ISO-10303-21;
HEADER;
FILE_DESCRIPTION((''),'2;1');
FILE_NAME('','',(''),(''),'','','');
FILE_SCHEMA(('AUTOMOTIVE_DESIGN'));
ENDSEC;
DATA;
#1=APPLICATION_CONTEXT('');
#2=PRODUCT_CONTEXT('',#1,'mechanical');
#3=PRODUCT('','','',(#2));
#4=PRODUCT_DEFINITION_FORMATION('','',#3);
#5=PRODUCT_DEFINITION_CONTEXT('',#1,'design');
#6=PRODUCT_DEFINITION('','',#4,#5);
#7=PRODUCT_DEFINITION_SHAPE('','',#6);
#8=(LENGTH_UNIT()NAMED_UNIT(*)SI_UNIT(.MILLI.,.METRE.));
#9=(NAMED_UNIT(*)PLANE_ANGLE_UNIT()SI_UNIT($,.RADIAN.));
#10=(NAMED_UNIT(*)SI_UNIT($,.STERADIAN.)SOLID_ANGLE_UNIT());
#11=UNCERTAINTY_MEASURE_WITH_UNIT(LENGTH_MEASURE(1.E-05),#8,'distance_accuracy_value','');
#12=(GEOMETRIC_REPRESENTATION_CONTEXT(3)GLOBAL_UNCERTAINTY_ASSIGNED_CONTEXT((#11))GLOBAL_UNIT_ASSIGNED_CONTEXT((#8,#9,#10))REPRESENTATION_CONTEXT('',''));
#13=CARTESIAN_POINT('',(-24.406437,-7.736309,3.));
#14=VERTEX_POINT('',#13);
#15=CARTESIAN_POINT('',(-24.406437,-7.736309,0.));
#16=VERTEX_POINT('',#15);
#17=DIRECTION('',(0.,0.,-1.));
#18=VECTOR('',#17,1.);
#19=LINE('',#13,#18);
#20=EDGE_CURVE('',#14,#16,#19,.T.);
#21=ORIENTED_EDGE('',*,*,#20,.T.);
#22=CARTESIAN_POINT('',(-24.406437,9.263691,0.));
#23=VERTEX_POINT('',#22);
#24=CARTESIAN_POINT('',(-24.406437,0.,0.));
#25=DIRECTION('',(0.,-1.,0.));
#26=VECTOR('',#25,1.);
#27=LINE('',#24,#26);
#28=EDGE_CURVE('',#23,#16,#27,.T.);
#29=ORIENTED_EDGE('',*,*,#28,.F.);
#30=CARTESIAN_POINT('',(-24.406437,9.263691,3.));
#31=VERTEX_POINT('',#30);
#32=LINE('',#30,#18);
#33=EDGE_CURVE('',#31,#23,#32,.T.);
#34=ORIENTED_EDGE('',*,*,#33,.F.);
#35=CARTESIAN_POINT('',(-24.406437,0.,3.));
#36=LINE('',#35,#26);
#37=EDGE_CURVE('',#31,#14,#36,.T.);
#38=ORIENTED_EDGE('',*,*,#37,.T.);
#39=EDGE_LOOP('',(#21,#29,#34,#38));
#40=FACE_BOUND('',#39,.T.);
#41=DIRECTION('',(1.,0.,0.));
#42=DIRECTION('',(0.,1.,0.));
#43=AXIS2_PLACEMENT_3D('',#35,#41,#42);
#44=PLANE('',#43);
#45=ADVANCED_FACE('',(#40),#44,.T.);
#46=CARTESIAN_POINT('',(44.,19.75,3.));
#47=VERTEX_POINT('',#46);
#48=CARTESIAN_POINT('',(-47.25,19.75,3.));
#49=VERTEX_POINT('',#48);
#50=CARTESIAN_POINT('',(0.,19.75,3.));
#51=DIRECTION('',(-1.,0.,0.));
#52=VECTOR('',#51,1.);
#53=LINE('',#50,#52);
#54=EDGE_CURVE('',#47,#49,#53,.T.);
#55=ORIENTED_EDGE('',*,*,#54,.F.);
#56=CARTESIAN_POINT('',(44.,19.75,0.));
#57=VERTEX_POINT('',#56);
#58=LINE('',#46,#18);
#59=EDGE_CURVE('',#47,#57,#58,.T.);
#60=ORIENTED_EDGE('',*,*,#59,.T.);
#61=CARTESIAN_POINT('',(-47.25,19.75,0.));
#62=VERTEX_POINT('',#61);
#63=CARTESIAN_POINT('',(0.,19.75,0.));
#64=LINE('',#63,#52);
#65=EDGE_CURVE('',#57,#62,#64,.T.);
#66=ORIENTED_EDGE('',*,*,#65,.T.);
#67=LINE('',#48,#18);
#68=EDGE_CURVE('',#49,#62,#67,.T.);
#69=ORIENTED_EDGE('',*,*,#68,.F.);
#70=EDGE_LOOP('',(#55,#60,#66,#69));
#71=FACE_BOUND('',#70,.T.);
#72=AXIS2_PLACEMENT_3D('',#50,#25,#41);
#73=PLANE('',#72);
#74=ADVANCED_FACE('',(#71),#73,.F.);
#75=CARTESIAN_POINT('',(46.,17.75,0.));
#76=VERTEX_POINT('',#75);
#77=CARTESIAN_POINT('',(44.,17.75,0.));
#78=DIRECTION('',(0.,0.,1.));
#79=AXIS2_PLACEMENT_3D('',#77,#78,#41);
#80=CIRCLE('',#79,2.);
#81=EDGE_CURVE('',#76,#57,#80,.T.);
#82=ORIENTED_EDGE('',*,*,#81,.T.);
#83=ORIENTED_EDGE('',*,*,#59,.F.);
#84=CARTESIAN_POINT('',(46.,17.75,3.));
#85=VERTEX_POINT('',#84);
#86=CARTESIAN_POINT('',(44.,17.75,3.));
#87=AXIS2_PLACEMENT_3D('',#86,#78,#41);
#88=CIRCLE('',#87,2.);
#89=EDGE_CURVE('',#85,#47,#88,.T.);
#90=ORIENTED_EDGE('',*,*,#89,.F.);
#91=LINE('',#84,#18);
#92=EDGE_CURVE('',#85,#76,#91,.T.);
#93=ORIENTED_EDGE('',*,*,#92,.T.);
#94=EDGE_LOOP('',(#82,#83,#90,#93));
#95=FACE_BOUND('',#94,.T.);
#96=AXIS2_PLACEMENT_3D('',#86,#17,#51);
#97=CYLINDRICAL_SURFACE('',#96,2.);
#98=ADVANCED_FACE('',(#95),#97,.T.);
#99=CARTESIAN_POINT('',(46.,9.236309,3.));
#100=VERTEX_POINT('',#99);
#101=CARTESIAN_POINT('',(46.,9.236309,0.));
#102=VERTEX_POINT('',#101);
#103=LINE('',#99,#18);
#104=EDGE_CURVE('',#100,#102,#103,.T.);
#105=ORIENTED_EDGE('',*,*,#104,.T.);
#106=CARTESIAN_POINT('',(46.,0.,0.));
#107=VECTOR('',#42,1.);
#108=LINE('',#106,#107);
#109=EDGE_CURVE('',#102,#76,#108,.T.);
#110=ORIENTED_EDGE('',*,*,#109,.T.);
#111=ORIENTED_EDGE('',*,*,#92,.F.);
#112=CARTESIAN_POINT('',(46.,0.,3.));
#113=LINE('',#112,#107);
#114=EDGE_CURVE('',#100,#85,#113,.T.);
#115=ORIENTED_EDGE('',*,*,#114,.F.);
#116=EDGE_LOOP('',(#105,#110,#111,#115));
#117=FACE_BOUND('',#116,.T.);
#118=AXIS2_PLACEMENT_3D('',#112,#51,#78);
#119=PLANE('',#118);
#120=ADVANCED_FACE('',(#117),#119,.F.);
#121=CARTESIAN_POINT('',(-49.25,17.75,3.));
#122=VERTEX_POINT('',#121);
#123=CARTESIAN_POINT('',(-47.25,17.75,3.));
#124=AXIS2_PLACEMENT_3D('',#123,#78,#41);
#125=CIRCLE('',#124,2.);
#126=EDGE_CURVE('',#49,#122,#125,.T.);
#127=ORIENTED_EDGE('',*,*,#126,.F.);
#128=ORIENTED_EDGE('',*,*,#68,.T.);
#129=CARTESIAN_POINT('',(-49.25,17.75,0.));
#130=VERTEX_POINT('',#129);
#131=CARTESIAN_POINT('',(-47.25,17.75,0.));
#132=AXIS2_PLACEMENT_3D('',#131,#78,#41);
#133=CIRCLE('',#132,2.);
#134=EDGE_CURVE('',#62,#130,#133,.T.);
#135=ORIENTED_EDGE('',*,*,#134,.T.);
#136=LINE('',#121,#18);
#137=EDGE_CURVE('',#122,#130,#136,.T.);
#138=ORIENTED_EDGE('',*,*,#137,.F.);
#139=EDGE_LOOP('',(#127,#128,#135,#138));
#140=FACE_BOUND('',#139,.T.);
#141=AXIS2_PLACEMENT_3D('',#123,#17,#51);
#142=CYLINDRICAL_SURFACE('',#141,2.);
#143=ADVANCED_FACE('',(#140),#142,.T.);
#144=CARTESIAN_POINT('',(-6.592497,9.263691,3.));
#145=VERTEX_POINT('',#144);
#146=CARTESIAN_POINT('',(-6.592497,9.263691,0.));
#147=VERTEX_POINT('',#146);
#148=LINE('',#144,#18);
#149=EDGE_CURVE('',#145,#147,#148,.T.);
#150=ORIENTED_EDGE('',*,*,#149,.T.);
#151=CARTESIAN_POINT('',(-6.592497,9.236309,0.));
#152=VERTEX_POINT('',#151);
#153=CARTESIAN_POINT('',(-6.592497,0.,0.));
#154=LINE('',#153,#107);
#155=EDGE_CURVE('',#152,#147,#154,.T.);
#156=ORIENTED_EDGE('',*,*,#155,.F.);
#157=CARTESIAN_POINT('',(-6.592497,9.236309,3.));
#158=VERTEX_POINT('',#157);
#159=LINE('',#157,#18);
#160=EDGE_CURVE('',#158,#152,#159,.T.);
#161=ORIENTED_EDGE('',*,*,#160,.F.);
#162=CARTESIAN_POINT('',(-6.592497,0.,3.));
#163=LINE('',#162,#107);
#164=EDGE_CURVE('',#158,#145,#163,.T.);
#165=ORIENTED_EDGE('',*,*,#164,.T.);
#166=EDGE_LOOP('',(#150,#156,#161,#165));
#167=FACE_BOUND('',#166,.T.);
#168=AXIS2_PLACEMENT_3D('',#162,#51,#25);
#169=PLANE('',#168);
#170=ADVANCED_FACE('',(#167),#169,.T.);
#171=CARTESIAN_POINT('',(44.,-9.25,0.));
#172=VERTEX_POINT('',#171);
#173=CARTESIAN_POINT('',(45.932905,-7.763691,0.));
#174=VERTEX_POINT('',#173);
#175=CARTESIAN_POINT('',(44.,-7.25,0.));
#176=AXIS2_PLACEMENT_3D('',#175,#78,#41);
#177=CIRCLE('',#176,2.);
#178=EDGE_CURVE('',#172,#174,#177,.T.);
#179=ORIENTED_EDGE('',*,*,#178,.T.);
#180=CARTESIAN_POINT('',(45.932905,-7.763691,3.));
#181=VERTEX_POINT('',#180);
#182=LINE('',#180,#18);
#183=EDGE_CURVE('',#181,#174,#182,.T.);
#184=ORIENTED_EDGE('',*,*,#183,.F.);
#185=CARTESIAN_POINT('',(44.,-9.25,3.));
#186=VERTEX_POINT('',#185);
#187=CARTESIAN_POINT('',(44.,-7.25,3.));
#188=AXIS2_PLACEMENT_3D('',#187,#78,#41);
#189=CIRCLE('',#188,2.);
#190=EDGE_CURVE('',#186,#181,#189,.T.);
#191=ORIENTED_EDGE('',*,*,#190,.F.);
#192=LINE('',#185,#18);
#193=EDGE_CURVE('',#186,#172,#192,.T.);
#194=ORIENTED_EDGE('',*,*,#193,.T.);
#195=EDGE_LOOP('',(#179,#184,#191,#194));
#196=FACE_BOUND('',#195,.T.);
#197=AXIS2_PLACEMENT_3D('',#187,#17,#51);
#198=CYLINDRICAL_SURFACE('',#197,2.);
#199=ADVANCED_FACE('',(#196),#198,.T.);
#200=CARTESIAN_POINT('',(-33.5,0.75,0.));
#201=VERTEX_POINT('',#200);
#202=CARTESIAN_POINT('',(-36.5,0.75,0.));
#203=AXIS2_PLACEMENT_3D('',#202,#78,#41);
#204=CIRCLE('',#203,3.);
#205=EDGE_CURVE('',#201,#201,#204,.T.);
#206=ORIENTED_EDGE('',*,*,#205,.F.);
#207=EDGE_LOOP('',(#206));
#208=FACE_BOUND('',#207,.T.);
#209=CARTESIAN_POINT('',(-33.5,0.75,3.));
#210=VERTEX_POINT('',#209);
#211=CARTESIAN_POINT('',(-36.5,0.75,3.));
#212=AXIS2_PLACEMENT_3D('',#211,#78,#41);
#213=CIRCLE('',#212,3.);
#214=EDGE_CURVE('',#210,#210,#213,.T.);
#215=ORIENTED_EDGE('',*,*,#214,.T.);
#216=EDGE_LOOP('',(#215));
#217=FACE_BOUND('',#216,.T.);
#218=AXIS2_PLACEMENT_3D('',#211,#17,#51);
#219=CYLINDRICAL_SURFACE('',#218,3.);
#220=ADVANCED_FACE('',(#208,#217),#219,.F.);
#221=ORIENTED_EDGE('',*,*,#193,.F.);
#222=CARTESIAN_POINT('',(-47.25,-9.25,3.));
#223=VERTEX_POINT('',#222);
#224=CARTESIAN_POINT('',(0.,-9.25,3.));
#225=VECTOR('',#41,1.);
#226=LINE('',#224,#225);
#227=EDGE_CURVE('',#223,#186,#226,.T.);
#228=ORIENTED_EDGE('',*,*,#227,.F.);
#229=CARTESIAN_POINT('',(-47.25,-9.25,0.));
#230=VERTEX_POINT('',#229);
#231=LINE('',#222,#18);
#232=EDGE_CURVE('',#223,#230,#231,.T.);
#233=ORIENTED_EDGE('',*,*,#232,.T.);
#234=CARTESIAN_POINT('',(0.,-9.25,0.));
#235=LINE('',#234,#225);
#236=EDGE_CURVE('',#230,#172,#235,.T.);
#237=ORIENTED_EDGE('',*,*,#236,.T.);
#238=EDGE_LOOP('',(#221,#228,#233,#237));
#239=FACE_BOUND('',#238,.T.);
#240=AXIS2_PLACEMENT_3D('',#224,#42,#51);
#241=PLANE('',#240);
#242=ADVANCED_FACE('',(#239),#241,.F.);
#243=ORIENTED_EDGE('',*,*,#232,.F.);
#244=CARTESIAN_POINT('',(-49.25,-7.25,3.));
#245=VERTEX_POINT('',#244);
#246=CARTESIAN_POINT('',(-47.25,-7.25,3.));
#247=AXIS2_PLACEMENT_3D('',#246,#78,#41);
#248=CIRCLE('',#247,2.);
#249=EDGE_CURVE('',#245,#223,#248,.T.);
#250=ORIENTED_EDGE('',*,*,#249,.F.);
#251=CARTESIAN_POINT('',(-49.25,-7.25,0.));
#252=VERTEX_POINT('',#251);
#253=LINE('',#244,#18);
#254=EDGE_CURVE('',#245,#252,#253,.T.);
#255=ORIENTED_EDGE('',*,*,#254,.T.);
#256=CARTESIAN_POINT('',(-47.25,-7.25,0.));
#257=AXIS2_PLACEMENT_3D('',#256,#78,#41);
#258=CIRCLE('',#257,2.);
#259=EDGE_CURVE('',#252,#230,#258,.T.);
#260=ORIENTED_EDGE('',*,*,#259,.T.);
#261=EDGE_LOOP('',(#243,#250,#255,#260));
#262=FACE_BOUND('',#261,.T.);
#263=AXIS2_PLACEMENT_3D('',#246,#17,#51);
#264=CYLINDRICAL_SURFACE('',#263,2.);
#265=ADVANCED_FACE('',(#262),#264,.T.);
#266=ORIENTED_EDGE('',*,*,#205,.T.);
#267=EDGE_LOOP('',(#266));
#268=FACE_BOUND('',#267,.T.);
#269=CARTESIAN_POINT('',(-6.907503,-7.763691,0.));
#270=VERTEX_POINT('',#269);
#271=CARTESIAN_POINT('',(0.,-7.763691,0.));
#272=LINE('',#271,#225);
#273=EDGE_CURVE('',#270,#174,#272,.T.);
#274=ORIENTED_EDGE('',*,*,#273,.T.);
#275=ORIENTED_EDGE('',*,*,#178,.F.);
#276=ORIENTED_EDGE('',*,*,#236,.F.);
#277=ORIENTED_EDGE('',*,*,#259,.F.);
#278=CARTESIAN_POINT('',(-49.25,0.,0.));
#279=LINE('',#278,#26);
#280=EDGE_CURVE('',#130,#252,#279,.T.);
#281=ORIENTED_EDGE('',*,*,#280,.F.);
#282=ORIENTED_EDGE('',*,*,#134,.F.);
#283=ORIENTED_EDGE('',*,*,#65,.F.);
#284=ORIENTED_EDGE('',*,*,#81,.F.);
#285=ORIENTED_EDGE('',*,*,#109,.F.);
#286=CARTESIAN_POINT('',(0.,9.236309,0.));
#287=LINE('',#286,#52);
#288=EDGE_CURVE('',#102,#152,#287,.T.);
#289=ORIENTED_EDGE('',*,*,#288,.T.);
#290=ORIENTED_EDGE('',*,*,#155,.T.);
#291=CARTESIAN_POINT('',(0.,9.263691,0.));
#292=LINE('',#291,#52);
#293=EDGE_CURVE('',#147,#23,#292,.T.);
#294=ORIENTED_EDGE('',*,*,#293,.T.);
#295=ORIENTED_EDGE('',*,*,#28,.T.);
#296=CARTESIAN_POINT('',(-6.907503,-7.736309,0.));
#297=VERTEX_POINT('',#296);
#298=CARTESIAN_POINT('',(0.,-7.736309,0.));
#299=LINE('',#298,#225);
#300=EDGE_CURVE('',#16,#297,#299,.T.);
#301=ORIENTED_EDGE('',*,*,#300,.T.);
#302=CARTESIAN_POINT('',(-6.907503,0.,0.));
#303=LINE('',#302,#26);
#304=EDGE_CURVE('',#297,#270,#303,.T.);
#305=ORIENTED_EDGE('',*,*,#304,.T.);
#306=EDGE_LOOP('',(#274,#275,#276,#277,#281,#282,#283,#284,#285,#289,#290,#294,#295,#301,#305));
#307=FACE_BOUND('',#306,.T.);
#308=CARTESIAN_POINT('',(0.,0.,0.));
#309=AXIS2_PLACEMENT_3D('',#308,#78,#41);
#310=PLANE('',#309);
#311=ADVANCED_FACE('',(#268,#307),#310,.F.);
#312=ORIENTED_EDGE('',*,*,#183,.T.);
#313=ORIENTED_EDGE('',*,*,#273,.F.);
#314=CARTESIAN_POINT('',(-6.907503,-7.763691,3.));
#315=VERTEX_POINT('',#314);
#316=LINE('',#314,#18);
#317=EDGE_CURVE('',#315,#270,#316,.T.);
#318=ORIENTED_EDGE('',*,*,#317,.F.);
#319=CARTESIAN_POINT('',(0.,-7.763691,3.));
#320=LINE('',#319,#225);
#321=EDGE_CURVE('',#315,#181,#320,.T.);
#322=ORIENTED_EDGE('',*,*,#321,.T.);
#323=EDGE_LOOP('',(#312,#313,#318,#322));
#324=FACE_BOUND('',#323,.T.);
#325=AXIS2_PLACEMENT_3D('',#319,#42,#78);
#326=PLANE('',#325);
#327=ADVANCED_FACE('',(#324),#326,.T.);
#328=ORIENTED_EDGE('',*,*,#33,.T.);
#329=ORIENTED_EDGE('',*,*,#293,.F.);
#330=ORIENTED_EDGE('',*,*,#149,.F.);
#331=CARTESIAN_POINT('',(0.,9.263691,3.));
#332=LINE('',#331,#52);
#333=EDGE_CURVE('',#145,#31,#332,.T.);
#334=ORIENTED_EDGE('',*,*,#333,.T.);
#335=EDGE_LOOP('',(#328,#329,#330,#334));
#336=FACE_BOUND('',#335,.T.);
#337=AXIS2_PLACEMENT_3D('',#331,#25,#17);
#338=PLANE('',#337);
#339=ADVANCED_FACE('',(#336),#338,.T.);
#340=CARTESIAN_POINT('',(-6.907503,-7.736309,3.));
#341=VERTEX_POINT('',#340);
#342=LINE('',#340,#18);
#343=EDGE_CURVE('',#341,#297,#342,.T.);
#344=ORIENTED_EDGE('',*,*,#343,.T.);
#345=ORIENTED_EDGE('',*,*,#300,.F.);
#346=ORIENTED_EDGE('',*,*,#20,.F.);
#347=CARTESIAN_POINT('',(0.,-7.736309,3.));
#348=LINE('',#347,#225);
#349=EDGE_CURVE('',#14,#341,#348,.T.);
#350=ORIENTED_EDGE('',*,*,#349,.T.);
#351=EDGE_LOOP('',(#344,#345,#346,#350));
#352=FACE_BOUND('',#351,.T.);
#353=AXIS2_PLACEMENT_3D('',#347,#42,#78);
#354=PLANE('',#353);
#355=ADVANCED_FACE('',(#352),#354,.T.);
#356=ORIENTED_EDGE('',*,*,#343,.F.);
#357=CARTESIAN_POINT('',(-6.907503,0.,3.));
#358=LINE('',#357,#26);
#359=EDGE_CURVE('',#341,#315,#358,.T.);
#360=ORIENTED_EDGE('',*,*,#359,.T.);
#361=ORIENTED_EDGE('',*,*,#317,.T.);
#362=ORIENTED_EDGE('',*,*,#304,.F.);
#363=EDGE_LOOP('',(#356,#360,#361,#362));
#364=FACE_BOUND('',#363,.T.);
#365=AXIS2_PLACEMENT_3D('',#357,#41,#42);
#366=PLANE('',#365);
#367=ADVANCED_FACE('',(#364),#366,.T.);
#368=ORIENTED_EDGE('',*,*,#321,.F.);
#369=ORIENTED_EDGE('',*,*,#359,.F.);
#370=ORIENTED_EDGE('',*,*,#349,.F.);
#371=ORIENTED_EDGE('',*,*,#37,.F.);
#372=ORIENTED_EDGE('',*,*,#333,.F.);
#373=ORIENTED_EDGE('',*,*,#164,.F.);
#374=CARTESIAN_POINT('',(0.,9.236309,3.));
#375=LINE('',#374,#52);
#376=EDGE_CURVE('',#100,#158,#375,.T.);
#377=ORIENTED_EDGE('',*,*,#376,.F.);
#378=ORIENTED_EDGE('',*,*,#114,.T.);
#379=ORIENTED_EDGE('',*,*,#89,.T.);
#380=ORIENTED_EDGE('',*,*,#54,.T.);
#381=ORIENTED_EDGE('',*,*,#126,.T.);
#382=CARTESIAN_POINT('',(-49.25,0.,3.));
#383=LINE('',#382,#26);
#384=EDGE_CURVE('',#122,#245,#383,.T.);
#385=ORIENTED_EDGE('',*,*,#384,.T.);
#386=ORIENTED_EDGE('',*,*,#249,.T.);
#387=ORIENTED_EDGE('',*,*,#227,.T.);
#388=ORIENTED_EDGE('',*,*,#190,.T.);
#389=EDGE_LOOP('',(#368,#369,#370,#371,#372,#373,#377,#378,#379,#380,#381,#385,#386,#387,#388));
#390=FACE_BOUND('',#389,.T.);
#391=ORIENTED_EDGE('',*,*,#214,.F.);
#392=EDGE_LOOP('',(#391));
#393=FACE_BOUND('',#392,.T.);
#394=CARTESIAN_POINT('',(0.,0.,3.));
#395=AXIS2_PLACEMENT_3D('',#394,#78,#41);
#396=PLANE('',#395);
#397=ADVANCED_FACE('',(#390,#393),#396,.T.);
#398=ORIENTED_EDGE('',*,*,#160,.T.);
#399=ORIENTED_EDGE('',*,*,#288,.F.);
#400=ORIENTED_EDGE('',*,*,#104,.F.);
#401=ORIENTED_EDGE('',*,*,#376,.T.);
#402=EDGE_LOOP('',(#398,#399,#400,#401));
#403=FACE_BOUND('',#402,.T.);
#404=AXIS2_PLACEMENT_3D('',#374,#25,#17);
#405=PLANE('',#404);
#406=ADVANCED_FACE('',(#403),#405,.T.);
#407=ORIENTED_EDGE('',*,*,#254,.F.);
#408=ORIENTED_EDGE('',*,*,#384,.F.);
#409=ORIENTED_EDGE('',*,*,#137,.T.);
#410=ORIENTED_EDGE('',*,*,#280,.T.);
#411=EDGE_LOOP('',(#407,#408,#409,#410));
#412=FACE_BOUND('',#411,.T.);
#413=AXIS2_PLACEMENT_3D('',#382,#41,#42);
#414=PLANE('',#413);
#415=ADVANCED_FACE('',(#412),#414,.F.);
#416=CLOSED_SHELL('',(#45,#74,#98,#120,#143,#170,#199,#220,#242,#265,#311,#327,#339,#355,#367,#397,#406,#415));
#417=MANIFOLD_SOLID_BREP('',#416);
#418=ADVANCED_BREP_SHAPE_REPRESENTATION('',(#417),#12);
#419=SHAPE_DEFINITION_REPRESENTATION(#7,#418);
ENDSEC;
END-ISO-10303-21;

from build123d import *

# Parameters (mm, degrees)
SKETCH1_R           = 3
BOSS_EXTRUDE1_DEPTH = 3


with BuildPart() as part:
    # Sketch1 → Boss-Extrude1 (new body)
    with BuildSketch(Plane.XY):
        with BuildLine():
            ThreePointArc((46, 17.75), (45.414213562, 19.164213562), (44, 19.75))
            Line((44, 19.75), (-47.25, 19.75))
            ThreePointArc((-47.25, 19.75), (-48.664213562, 19.164213562), (-49.25, 17.75))
            Line((-49.25, 17.75), (-49.25, -7.25))
            ThreePointArc((-49.25, -7.25), (-48.664213562, -8.664213562), (-47.25, -9.25))
            Line((-47.25, -9.25), (44, -9.25))
            ThreePointArc((44, -9.25), (45.219142744, -8.835462384), (45.932904961, -7.763690971))
            Line((45.932904961, -7.763690971), (45.906437474, -7.763690971))
            Line((45.906437474, -7.763690971), (28.406437474, -7.763690971))
            Line((28.406437474, -7.763690971), (28.092497309, -7.763690971))
            Line((28.092497309, -7.763690971), (10.906437474, -7.763690971))
            Line((10.906437474, -7.763690971), (10.592497309, -7.763690971))
            Line((10.592497309, -7.763690971), (-6.907502691, -7.763690971))
            Line((-6.907502691, -7.763690971), (-6.907502691, -7.736309029))
            Line((-6.907502691, -7.736309029), (-24.406437474, -7.736309029))
            Line((-24.406437474, -7.736309029), (-24.406437474, 9.263690971))
            Line((-24.406437474, 9.263690971), (-6.592497309, 9.263690971))
            Line((-6.592497309, 9.263690971), (-6.592497309, 9.236309029))
            Line((-6.592497309, 9.236309029), (10.592497309, 9.236309029))
            Line((10.592497309, 9.236309029), (10.906437474, 9.236309029))
            Line((10.906437474, 9.236309029), (28.092497309, 9.236309029))
            Line((28.092497309, 9.236309029), (28.406437474, 9.236309029))
            Line((28.406437474, 9.236309029), (45.906437474, 9.236309029))
            Line((45.906437474, 9.236309029), (46, 9.236309029))
            Line((46, 9.236309029), (46, 17.75))
        make_face()
        with Locations((-36.5, 0.75)):
            Circle(SKETCH1_R, mode=Mode.SUBTRACT)
    extrude(amount=BOSS_EXTRUDE1_DEPTH)


solid = part.part
